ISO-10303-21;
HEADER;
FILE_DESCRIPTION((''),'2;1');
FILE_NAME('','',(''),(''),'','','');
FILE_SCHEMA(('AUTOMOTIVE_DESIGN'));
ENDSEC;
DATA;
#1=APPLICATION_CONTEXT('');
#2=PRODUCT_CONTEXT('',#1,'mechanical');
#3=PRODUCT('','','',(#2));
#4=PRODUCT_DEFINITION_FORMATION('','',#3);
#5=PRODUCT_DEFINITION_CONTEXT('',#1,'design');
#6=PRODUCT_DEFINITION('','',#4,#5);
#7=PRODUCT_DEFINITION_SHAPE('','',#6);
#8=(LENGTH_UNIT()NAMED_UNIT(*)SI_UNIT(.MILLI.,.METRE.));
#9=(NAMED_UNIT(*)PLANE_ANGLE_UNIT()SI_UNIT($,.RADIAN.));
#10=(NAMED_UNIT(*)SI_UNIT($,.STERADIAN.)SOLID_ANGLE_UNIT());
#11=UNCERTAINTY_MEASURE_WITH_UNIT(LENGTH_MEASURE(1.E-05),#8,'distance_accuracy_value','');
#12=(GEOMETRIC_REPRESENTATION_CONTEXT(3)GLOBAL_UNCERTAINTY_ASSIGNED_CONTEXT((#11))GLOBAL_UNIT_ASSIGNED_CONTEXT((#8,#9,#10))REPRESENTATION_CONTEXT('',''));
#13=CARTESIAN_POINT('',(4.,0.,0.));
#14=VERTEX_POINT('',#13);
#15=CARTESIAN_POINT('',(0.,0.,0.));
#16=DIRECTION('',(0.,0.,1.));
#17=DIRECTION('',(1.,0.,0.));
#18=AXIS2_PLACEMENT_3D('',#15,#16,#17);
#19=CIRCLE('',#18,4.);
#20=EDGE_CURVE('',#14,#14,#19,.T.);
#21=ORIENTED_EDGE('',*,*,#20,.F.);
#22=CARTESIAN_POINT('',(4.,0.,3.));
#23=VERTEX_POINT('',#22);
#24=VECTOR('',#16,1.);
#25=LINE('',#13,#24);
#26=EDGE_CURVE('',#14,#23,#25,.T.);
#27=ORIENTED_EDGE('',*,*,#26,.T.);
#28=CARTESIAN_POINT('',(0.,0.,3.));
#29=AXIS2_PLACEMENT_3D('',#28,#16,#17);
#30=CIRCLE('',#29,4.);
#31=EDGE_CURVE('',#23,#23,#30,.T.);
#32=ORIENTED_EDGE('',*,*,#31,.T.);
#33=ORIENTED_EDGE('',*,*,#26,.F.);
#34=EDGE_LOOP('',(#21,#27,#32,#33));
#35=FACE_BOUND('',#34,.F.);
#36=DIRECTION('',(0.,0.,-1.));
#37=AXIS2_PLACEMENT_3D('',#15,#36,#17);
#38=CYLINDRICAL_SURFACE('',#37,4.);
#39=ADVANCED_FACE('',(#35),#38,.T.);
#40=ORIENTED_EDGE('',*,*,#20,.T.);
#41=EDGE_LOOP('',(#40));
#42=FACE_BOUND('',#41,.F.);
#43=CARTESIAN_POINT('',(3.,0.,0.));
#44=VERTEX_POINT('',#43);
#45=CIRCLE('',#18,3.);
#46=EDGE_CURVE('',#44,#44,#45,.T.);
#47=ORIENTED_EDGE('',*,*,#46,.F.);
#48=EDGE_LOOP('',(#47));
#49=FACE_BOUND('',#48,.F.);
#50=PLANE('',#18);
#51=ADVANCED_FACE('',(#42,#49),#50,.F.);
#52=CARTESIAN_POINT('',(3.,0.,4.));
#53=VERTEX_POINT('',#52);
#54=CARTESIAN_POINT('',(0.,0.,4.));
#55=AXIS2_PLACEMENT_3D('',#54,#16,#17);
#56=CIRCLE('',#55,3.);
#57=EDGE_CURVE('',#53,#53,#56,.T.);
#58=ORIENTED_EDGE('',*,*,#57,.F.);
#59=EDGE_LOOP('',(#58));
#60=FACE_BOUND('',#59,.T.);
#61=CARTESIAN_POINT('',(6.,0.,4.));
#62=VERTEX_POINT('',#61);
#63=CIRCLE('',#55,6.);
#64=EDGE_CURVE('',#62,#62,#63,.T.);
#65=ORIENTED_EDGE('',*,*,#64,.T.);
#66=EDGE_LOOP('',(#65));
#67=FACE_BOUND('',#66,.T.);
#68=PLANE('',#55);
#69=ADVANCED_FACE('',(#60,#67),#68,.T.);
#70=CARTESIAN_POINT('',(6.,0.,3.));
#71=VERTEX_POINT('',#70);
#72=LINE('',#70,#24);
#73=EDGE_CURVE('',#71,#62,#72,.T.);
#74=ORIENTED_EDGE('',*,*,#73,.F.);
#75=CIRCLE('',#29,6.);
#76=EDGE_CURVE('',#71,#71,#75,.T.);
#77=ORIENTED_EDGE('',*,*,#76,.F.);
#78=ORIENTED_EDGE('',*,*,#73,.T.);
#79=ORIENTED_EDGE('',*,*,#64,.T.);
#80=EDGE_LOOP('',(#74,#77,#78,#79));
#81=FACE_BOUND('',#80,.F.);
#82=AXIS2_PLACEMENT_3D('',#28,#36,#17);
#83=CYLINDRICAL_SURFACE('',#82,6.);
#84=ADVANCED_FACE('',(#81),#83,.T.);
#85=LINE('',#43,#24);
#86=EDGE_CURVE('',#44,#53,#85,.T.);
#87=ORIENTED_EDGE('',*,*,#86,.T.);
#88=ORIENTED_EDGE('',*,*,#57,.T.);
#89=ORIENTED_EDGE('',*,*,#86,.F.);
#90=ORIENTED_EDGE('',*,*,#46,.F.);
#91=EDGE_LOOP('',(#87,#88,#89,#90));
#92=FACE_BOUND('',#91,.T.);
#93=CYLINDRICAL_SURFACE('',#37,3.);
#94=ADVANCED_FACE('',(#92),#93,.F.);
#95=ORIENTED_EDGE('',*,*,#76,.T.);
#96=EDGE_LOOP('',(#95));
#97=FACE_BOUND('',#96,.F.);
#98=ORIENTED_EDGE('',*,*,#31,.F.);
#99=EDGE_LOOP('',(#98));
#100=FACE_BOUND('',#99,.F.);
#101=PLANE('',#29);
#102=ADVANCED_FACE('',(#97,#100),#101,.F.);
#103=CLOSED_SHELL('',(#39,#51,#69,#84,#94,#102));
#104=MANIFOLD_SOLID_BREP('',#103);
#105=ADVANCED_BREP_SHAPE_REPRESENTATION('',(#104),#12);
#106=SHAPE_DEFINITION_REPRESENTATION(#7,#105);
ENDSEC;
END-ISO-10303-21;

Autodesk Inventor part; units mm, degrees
ref_plane "YZ Plane" through (0, 0, 0) normal (1, 0, 0) x (0, 1, 0)
ref_plane "XZ Plane" through (0, 0, 0) normal (0, 1, 0) x (-1, 0, 0)
ref_plane "XY Plane" through (0, 0, 0) normal (0, 0, 1) x (1, 0, 0)
sketch "スケッチ1" plane through (0, 0, 0) normal (0, 0, 1) x (1, 0, 0)
  circle A0 centre (0, 0) radius 3
  circle A1 centre (0, 0) radius 4
  dimension "d0" = 6
  dimension "d1" = 8
extrude "押し出し1" add sketch "スケッチ1" along normal blind 3
sketch "スケッチ2" plane through (0, 0, 3) normal (0, 0, 1) x (1, 0, 0)
  circle A0 centre (0, 0) radius 4 projected
  circle A1 centre (0, 0) radius 3 projected
  circle A2 centre (0, 0) radius 4 projected
  circle A3 centre (0, 0) radius 6
  dimension "d4" = 12
extrude "押し出し2" add sketch "スケッチ2" along normal blind 1 contours A0 | A3
properties part number "オイレスフランジ付き06081203" material "アセタール樹脂、黒"
